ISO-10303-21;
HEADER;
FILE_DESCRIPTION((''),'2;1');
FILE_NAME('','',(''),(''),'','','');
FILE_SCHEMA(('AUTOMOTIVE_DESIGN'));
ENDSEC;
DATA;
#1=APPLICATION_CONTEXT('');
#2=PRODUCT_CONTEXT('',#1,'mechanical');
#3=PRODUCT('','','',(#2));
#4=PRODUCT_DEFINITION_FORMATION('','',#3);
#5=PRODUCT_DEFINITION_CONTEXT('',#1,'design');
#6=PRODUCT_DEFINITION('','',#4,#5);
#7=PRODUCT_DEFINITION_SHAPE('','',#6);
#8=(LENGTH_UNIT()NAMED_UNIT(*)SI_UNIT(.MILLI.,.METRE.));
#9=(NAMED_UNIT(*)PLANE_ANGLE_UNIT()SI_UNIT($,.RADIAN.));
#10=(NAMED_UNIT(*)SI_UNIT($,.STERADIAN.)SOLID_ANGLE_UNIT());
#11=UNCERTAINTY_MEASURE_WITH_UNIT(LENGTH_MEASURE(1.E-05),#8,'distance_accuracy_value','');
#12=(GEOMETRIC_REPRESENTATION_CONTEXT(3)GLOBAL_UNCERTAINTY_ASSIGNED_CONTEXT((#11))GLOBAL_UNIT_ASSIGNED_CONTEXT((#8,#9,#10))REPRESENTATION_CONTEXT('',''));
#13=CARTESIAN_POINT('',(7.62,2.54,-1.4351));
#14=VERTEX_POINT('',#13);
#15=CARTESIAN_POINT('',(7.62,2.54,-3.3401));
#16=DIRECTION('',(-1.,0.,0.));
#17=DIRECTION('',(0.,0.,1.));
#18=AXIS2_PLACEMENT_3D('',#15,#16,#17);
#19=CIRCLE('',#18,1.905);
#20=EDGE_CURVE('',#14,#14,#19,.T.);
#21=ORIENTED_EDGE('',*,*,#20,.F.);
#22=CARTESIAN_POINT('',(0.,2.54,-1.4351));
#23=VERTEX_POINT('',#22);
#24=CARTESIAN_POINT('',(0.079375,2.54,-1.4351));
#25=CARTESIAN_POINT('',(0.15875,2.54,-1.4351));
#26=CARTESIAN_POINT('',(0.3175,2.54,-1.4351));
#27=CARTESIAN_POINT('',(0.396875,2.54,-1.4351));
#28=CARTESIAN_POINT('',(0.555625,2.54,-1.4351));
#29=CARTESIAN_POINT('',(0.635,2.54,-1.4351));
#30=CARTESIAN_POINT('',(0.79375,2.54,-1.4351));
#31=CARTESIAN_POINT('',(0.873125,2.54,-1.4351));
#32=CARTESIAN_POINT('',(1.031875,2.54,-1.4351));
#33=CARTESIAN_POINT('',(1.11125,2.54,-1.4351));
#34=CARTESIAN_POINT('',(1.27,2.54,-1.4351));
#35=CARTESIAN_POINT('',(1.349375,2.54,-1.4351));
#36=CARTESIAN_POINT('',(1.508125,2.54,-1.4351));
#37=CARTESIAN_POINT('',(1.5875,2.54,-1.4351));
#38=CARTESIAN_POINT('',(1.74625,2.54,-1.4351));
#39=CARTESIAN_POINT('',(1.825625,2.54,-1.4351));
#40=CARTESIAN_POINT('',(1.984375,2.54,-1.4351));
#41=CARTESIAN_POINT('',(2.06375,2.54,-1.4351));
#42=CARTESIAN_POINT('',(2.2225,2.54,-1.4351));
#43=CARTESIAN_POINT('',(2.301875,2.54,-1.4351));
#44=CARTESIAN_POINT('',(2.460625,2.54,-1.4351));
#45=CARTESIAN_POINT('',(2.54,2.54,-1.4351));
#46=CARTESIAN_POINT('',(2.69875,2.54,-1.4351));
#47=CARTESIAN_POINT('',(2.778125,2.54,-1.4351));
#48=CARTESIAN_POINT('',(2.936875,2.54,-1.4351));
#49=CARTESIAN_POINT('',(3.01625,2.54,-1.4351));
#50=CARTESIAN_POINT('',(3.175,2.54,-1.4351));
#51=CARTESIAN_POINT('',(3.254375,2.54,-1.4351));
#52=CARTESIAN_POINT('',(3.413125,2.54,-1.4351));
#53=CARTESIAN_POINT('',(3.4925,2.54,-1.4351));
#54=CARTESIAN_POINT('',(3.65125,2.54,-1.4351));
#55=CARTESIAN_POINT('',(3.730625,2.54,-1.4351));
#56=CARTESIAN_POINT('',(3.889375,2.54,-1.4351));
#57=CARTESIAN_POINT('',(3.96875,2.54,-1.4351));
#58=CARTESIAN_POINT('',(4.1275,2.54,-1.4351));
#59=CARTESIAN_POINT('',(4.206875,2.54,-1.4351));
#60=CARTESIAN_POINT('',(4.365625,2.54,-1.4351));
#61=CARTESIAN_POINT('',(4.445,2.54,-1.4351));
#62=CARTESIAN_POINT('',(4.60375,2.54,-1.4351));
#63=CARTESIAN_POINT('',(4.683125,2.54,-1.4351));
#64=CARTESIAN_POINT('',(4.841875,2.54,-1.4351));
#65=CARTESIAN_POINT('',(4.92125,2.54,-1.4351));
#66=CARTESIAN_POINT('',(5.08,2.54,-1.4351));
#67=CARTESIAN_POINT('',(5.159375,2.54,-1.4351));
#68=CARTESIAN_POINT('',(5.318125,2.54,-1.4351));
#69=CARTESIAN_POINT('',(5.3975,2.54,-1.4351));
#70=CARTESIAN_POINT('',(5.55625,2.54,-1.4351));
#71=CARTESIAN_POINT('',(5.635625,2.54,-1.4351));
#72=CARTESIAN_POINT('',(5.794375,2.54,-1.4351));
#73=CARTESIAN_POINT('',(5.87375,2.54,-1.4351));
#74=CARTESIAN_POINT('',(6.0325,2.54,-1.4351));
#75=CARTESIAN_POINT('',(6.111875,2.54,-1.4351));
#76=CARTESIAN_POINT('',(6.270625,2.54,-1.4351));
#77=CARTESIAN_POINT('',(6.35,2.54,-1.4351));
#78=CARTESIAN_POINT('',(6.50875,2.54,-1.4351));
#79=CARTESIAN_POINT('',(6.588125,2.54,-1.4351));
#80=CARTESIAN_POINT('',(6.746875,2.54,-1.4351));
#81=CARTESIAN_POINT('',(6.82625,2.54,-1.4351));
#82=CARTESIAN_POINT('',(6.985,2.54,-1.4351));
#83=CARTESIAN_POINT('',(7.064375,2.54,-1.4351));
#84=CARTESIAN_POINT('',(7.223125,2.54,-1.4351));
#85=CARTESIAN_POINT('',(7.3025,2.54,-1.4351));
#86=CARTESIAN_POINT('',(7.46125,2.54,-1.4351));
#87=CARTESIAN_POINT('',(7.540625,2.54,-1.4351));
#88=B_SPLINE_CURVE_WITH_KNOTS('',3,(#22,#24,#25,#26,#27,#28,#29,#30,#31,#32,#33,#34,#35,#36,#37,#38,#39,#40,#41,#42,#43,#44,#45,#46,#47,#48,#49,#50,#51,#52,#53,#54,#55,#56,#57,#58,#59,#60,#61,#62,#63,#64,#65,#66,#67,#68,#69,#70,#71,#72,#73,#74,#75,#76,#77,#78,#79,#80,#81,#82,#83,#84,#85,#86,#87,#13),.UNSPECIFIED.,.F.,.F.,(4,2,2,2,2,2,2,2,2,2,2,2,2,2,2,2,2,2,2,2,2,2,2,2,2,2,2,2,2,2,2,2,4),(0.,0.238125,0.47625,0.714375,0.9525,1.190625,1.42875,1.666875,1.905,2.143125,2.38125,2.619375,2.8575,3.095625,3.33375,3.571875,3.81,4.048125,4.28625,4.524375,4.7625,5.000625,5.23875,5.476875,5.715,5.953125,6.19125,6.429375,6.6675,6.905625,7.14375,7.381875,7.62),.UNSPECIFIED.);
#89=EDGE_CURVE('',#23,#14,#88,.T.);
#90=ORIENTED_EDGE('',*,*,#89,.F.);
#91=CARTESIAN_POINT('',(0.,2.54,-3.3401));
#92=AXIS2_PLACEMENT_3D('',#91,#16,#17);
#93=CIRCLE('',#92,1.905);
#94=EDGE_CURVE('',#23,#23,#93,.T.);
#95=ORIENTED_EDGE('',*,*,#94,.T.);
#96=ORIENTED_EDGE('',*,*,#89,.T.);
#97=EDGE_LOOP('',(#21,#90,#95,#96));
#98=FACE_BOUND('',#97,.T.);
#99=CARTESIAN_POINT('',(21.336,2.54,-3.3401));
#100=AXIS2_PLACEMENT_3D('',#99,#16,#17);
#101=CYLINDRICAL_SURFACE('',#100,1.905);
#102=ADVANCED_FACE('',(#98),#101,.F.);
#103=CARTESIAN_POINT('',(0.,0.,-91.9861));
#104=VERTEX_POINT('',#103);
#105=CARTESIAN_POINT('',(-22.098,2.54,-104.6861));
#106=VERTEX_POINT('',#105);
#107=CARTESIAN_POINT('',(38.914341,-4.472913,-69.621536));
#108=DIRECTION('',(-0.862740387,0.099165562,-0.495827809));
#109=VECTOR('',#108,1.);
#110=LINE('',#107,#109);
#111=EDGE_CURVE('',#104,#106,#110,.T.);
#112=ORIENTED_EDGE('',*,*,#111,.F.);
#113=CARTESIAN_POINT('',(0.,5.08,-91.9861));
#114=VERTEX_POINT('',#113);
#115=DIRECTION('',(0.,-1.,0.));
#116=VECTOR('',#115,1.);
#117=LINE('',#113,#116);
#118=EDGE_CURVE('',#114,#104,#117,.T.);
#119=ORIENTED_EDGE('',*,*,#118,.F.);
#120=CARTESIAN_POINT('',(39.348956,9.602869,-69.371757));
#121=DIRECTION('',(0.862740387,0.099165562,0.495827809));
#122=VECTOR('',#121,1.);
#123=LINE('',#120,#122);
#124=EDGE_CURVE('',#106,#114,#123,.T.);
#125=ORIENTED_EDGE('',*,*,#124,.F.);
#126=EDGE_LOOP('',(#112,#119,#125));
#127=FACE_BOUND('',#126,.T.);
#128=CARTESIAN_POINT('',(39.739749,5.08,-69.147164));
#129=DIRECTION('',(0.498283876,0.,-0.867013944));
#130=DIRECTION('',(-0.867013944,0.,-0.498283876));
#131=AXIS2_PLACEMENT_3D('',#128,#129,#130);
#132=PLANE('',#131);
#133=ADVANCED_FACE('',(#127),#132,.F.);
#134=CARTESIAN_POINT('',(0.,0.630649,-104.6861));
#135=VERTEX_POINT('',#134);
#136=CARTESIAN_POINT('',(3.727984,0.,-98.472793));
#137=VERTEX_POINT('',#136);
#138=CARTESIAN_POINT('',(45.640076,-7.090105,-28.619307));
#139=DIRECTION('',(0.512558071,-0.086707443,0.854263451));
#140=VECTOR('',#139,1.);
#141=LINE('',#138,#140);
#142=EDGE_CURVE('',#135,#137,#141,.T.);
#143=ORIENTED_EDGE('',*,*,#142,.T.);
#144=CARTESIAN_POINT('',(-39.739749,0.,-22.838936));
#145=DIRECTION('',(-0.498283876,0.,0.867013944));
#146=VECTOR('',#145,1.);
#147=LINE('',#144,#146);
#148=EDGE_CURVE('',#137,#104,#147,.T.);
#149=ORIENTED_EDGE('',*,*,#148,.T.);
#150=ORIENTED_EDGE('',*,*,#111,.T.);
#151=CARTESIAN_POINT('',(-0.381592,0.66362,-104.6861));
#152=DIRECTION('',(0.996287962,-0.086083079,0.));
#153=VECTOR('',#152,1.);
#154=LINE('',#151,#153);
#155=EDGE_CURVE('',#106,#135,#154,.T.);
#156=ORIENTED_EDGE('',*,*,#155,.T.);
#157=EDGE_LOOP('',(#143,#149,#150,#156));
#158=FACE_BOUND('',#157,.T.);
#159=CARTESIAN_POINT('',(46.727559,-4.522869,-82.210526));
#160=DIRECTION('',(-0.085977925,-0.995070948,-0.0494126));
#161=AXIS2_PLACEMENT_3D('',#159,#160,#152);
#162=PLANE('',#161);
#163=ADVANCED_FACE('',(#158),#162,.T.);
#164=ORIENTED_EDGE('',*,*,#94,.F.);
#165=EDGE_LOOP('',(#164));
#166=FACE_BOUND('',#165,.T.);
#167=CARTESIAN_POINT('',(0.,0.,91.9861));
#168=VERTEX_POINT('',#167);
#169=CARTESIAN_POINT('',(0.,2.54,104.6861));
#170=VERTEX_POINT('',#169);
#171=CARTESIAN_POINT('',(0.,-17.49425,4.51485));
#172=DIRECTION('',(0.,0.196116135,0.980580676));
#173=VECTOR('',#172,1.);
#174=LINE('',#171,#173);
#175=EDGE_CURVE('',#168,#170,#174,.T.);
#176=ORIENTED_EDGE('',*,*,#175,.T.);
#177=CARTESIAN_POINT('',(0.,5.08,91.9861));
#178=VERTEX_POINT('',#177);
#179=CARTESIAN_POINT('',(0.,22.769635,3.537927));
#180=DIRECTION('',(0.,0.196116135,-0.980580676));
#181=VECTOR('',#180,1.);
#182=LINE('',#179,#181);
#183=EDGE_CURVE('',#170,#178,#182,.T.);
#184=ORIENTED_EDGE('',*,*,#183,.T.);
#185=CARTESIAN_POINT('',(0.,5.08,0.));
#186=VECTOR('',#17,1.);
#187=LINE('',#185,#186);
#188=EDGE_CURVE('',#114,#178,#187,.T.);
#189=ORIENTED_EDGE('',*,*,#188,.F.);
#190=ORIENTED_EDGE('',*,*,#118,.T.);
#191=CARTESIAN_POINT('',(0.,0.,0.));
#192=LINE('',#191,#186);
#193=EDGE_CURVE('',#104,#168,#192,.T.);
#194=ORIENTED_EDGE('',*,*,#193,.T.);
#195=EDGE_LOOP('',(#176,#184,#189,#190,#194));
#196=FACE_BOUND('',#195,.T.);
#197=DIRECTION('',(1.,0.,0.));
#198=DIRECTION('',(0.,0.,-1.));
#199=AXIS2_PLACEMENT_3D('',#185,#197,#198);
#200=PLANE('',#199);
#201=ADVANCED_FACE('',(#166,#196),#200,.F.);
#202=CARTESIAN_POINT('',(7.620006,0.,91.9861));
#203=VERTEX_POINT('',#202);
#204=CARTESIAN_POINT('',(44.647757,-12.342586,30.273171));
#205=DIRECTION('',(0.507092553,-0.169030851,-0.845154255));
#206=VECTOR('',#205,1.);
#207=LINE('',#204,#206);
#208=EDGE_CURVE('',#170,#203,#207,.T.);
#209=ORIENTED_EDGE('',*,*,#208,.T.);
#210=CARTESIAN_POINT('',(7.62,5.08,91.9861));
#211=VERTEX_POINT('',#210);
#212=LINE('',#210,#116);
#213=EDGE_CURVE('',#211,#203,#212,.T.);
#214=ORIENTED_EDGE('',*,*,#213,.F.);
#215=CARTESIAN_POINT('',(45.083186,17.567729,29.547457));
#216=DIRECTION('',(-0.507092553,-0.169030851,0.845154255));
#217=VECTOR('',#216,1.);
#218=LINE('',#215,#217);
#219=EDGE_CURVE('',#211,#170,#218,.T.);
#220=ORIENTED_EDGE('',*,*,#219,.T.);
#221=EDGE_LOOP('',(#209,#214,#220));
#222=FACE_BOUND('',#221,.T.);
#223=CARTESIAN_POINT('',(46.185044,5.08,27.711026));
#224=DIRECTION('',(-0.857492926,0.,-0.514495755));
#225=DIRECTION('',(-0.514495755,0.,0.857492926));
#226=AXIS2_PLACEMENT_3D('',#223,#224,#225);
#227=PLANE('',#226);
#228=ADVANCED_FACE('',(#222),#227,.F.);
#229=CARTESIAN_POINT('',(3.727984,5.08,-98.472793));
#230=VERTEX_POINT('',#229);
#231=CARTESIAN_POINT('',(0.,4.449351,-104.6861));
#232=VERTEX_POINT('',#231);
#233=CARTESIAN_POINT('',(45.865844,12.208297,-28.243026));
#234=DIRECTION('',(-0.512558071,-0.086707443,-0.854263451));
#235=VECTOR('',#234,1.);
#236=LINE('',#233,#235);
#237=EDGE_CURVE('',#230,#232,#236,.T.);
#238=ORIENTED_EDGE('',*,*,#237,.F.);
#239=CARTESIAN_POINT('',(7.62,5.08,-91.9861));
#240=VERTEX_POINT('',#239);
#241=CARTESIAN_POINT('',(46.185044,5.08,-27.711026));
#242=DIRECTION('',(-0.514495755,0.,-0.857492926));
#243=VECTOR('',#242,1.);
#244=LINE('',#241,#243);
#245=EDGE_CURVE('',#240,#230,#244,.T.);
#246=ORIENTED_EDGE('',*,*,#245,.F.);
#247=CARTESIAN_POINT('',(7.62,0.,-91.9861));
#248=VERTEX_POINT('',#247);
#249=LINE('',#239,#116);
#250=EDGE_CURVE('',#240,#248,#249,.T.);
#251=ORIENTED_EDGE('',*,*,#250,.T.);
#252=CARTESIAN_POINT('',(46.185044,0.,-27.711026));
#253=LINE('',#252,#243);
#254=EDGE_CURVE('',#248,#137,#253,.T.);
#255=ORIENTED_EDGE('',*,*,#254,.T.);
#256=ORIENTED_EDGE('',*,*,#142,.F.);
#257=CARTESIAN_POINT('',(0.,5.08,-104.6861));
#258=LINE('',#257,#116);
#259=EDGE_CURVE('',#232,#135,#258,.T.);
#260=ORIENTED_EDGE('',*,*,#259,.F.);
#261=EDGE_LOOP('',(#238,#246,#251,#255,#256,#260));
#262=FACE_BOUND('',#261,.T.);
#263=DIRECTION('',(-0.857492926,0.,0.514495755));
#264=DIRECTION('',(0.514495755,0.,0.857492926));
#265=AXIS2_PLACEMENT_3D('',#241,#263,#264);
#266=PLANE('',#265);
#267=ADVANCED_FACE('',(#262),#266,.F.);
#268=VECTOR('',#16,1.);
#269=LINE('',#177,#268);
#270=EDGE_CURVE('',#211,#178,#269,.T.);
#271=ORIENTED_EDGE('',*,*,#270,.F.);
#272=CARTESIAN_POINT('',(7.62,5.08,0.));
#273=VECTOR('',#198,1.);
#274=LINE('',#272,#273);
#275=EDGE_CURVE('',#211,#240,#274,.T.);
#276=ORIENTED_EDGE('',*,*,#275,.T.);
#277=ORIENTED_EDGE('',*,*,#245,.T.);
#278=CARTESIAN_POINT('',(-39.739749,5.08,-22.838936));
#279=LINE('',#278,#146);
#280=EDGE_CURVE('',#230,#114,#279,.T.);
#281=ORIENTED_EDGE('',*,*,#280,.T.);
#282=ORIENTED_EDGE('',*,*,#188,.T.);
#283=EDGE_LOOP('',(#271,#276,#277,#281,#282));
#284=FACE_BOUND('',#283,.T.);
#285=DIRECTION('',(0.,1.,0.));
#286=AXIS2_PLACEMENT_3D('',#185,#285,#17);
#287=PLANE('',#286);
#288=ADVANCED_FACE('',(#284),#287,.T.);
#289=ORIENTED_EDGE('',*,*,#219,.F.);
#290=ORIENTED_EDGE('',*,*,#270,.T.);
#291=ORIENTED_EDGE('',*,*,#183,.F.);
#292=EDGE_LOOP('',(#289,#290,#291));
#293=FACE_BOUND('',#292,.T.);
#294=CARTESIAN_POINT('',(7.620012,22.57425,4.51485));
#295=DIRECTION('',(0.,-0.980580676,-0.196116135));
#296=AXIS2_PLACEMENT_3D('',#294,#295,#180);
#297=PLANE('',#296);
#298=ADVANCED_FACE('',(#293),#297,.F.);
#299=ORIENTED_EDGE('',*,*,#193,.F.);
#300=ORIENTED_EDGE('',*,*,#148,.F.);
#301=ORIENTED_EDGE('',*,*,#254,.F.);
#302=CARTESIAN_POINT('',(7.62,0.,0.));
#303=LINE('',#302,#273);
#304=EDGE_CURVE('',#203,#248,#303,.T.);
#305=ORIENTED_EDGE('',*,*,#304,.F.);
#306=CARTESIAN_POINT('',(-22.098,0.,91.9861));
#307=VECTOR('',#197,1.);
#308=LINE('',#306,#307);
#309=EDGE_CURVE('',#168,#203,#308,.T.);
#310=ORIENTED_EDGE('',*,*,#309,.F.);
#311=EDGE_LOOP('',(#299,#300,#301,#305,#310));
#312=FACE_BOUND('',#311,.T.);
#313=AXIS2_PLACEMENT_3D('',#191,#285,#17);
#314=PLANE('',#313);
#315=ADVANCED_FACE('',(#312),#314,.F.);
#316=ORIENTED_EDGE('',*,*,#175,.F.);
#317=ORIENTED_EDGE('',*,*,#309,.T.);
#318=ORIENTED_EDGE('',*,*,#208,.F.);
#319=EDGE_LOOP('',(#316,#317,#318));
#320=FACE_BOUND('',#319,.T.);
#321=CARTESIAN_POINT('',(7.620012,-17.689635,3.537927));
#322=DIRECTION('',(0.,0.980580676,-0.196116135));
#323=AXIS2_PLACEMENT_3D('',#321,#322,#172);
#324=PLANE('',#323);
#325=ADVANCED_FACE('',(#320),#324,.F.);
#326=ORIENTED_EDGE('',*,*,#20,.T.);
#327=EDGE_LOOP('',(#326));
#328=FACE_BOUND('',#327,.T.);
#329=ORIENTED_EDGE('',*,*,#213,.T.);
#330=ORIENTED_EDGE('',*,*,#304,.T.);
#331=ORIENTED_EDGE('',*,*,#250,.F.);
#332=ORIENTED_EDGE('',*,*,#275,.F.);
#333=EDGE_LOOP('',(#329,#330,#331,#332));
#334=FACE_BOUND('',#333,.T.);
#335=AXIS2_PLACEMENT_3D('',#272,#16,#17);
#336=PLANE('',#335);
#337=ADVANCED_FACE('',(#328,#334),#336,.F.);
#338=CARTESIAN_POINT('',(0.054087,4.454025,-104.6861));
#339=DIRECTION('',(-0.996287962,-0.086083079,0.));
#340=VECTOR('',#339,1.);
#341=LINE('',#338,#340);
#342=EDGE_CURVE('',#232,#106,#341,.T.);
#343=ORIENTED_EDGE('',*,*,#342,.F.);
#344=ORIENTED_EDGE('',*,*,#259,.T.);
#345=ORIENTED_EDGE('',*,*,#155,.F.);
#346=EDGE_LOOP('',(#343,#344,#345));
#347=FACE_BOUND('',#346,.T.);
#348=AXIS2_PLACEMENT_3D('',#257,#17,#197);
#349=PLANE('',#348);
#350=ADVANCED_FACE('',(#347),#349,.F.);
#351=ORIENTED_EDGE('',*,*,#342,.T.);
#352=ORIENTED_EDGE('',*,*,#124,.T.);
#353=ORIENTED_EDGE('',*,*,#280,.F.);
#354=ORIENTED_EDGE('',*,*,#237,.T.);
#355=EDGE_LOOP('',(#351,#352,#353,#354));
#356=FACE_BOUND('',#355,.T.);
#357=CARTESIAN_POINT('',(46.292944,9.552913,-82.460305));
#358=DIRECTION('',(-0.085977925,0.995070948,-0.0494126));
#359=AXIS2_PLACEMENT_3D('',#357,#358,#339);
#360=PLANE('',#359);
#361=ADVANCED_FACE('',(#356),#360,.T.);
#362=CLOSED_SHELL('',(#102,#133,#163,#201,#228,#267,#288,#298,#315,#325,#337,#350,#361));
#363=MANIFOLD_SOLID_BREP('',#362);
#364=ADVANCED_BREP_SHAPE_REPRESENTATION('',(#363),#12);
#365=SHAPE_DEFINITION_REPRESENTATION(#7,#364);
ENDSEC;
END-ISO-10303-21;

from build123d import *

# Parameters (mm, degrees)
BOSS_EXTRUDE1_DEPTH     = 5.08
CUT_EXTRUDE1_DEPTH      = 109.941018249
CUT_EXTRUDE1_DEPTH_BACK = 109.941018249
CUT_EXTRUDE2_DEPTH      = 185.574421805
CUT_EXTRUDE2_DEPTH_BACK = 185.574421805
SKETCH4_R               = 1.905
CUT_EXTRUDE3_DEPTH      = 21.336


with BuildPart() as part:
    # Sketch1 → Boss-Extrude1 (new body)
    with BuildSketch(Plane(origin=(0, 0, 0), x_dir=(1, 0, 0), z_dir=(0, 1, 0))):
        Polygon((7.62, -91.9861), (7.62, 91.9861), (0, 104.6861), (0, -104.6861), align=None)
        Polygon((0, 91.9861), (0, 104.6861), (-22.098, 104.6861), align=None)
    extrude(amount=BOSS_EXTRUDE1_DEPTH)

    # Sketch2 → Cut-Extrude1 (cut, two sides: drawn at the far end of the back side and taken through both)
    with BuildSketch(Plane(origin=(7.62, 0, 0), x_dir=(0, 0, -1), z_dir=(1, 0, 0)).offset(-CUT_EXTRUDE1_DEPTH_BACK)):
        Polygon((-104.6861, 5.08), (-91.9861, 5.08), (-104.6861, 2.54), align=None)
        Polygon((-104.6861, 0), (-104.6861, 2.54), (-91.9861, 0), align=None)
    extrude(amount=CUT_EXTRUDE1_DEPTH + CUT_EXTRUDE1_DEPTH_BACK, mode=Mode.SUBTRACT)

    # Sketch3 → Cut-Extrude2 (cut, two sides: drawn at the far end of the back side and taken through both)
    with BuildSketch(Plane(origin=(39.73974923, 0, -69.147163661), x_dir=(0.867013943985018, 0, 0.4982838758534578), z_dir=(-0.4982838758534578, 0, 0.867013943985018)).offset(-CUT_EXTRUDE2_DEPTH_BACK)):
        Polygon((-71.32266979, 2.54), (-45.835190433, 5.08), (-71.32266979, 5.08), align=None)
        Polygon((-45.835190433, 0), (-71.32266979, 2.54), (-71.32266979, 0), align=None)
    extrude(amount=CUT_EXTRUDE2_DEPTH + CUT_EXTRUDE2_DEPTH_BACK, mode=Mode.SUBTRACT)

    # Sketch4 → Cut-Extrude3 (cut)
    with BuildSketch(Plane.ZY):
        with Locations((-3.3401, 2.54)):
            Circle(SKETCH4_R)
    extrude(amount=-CUT_EXTRUDE3_DEPTH, mode=Mode.SUBTRACT)


solid = part.part
